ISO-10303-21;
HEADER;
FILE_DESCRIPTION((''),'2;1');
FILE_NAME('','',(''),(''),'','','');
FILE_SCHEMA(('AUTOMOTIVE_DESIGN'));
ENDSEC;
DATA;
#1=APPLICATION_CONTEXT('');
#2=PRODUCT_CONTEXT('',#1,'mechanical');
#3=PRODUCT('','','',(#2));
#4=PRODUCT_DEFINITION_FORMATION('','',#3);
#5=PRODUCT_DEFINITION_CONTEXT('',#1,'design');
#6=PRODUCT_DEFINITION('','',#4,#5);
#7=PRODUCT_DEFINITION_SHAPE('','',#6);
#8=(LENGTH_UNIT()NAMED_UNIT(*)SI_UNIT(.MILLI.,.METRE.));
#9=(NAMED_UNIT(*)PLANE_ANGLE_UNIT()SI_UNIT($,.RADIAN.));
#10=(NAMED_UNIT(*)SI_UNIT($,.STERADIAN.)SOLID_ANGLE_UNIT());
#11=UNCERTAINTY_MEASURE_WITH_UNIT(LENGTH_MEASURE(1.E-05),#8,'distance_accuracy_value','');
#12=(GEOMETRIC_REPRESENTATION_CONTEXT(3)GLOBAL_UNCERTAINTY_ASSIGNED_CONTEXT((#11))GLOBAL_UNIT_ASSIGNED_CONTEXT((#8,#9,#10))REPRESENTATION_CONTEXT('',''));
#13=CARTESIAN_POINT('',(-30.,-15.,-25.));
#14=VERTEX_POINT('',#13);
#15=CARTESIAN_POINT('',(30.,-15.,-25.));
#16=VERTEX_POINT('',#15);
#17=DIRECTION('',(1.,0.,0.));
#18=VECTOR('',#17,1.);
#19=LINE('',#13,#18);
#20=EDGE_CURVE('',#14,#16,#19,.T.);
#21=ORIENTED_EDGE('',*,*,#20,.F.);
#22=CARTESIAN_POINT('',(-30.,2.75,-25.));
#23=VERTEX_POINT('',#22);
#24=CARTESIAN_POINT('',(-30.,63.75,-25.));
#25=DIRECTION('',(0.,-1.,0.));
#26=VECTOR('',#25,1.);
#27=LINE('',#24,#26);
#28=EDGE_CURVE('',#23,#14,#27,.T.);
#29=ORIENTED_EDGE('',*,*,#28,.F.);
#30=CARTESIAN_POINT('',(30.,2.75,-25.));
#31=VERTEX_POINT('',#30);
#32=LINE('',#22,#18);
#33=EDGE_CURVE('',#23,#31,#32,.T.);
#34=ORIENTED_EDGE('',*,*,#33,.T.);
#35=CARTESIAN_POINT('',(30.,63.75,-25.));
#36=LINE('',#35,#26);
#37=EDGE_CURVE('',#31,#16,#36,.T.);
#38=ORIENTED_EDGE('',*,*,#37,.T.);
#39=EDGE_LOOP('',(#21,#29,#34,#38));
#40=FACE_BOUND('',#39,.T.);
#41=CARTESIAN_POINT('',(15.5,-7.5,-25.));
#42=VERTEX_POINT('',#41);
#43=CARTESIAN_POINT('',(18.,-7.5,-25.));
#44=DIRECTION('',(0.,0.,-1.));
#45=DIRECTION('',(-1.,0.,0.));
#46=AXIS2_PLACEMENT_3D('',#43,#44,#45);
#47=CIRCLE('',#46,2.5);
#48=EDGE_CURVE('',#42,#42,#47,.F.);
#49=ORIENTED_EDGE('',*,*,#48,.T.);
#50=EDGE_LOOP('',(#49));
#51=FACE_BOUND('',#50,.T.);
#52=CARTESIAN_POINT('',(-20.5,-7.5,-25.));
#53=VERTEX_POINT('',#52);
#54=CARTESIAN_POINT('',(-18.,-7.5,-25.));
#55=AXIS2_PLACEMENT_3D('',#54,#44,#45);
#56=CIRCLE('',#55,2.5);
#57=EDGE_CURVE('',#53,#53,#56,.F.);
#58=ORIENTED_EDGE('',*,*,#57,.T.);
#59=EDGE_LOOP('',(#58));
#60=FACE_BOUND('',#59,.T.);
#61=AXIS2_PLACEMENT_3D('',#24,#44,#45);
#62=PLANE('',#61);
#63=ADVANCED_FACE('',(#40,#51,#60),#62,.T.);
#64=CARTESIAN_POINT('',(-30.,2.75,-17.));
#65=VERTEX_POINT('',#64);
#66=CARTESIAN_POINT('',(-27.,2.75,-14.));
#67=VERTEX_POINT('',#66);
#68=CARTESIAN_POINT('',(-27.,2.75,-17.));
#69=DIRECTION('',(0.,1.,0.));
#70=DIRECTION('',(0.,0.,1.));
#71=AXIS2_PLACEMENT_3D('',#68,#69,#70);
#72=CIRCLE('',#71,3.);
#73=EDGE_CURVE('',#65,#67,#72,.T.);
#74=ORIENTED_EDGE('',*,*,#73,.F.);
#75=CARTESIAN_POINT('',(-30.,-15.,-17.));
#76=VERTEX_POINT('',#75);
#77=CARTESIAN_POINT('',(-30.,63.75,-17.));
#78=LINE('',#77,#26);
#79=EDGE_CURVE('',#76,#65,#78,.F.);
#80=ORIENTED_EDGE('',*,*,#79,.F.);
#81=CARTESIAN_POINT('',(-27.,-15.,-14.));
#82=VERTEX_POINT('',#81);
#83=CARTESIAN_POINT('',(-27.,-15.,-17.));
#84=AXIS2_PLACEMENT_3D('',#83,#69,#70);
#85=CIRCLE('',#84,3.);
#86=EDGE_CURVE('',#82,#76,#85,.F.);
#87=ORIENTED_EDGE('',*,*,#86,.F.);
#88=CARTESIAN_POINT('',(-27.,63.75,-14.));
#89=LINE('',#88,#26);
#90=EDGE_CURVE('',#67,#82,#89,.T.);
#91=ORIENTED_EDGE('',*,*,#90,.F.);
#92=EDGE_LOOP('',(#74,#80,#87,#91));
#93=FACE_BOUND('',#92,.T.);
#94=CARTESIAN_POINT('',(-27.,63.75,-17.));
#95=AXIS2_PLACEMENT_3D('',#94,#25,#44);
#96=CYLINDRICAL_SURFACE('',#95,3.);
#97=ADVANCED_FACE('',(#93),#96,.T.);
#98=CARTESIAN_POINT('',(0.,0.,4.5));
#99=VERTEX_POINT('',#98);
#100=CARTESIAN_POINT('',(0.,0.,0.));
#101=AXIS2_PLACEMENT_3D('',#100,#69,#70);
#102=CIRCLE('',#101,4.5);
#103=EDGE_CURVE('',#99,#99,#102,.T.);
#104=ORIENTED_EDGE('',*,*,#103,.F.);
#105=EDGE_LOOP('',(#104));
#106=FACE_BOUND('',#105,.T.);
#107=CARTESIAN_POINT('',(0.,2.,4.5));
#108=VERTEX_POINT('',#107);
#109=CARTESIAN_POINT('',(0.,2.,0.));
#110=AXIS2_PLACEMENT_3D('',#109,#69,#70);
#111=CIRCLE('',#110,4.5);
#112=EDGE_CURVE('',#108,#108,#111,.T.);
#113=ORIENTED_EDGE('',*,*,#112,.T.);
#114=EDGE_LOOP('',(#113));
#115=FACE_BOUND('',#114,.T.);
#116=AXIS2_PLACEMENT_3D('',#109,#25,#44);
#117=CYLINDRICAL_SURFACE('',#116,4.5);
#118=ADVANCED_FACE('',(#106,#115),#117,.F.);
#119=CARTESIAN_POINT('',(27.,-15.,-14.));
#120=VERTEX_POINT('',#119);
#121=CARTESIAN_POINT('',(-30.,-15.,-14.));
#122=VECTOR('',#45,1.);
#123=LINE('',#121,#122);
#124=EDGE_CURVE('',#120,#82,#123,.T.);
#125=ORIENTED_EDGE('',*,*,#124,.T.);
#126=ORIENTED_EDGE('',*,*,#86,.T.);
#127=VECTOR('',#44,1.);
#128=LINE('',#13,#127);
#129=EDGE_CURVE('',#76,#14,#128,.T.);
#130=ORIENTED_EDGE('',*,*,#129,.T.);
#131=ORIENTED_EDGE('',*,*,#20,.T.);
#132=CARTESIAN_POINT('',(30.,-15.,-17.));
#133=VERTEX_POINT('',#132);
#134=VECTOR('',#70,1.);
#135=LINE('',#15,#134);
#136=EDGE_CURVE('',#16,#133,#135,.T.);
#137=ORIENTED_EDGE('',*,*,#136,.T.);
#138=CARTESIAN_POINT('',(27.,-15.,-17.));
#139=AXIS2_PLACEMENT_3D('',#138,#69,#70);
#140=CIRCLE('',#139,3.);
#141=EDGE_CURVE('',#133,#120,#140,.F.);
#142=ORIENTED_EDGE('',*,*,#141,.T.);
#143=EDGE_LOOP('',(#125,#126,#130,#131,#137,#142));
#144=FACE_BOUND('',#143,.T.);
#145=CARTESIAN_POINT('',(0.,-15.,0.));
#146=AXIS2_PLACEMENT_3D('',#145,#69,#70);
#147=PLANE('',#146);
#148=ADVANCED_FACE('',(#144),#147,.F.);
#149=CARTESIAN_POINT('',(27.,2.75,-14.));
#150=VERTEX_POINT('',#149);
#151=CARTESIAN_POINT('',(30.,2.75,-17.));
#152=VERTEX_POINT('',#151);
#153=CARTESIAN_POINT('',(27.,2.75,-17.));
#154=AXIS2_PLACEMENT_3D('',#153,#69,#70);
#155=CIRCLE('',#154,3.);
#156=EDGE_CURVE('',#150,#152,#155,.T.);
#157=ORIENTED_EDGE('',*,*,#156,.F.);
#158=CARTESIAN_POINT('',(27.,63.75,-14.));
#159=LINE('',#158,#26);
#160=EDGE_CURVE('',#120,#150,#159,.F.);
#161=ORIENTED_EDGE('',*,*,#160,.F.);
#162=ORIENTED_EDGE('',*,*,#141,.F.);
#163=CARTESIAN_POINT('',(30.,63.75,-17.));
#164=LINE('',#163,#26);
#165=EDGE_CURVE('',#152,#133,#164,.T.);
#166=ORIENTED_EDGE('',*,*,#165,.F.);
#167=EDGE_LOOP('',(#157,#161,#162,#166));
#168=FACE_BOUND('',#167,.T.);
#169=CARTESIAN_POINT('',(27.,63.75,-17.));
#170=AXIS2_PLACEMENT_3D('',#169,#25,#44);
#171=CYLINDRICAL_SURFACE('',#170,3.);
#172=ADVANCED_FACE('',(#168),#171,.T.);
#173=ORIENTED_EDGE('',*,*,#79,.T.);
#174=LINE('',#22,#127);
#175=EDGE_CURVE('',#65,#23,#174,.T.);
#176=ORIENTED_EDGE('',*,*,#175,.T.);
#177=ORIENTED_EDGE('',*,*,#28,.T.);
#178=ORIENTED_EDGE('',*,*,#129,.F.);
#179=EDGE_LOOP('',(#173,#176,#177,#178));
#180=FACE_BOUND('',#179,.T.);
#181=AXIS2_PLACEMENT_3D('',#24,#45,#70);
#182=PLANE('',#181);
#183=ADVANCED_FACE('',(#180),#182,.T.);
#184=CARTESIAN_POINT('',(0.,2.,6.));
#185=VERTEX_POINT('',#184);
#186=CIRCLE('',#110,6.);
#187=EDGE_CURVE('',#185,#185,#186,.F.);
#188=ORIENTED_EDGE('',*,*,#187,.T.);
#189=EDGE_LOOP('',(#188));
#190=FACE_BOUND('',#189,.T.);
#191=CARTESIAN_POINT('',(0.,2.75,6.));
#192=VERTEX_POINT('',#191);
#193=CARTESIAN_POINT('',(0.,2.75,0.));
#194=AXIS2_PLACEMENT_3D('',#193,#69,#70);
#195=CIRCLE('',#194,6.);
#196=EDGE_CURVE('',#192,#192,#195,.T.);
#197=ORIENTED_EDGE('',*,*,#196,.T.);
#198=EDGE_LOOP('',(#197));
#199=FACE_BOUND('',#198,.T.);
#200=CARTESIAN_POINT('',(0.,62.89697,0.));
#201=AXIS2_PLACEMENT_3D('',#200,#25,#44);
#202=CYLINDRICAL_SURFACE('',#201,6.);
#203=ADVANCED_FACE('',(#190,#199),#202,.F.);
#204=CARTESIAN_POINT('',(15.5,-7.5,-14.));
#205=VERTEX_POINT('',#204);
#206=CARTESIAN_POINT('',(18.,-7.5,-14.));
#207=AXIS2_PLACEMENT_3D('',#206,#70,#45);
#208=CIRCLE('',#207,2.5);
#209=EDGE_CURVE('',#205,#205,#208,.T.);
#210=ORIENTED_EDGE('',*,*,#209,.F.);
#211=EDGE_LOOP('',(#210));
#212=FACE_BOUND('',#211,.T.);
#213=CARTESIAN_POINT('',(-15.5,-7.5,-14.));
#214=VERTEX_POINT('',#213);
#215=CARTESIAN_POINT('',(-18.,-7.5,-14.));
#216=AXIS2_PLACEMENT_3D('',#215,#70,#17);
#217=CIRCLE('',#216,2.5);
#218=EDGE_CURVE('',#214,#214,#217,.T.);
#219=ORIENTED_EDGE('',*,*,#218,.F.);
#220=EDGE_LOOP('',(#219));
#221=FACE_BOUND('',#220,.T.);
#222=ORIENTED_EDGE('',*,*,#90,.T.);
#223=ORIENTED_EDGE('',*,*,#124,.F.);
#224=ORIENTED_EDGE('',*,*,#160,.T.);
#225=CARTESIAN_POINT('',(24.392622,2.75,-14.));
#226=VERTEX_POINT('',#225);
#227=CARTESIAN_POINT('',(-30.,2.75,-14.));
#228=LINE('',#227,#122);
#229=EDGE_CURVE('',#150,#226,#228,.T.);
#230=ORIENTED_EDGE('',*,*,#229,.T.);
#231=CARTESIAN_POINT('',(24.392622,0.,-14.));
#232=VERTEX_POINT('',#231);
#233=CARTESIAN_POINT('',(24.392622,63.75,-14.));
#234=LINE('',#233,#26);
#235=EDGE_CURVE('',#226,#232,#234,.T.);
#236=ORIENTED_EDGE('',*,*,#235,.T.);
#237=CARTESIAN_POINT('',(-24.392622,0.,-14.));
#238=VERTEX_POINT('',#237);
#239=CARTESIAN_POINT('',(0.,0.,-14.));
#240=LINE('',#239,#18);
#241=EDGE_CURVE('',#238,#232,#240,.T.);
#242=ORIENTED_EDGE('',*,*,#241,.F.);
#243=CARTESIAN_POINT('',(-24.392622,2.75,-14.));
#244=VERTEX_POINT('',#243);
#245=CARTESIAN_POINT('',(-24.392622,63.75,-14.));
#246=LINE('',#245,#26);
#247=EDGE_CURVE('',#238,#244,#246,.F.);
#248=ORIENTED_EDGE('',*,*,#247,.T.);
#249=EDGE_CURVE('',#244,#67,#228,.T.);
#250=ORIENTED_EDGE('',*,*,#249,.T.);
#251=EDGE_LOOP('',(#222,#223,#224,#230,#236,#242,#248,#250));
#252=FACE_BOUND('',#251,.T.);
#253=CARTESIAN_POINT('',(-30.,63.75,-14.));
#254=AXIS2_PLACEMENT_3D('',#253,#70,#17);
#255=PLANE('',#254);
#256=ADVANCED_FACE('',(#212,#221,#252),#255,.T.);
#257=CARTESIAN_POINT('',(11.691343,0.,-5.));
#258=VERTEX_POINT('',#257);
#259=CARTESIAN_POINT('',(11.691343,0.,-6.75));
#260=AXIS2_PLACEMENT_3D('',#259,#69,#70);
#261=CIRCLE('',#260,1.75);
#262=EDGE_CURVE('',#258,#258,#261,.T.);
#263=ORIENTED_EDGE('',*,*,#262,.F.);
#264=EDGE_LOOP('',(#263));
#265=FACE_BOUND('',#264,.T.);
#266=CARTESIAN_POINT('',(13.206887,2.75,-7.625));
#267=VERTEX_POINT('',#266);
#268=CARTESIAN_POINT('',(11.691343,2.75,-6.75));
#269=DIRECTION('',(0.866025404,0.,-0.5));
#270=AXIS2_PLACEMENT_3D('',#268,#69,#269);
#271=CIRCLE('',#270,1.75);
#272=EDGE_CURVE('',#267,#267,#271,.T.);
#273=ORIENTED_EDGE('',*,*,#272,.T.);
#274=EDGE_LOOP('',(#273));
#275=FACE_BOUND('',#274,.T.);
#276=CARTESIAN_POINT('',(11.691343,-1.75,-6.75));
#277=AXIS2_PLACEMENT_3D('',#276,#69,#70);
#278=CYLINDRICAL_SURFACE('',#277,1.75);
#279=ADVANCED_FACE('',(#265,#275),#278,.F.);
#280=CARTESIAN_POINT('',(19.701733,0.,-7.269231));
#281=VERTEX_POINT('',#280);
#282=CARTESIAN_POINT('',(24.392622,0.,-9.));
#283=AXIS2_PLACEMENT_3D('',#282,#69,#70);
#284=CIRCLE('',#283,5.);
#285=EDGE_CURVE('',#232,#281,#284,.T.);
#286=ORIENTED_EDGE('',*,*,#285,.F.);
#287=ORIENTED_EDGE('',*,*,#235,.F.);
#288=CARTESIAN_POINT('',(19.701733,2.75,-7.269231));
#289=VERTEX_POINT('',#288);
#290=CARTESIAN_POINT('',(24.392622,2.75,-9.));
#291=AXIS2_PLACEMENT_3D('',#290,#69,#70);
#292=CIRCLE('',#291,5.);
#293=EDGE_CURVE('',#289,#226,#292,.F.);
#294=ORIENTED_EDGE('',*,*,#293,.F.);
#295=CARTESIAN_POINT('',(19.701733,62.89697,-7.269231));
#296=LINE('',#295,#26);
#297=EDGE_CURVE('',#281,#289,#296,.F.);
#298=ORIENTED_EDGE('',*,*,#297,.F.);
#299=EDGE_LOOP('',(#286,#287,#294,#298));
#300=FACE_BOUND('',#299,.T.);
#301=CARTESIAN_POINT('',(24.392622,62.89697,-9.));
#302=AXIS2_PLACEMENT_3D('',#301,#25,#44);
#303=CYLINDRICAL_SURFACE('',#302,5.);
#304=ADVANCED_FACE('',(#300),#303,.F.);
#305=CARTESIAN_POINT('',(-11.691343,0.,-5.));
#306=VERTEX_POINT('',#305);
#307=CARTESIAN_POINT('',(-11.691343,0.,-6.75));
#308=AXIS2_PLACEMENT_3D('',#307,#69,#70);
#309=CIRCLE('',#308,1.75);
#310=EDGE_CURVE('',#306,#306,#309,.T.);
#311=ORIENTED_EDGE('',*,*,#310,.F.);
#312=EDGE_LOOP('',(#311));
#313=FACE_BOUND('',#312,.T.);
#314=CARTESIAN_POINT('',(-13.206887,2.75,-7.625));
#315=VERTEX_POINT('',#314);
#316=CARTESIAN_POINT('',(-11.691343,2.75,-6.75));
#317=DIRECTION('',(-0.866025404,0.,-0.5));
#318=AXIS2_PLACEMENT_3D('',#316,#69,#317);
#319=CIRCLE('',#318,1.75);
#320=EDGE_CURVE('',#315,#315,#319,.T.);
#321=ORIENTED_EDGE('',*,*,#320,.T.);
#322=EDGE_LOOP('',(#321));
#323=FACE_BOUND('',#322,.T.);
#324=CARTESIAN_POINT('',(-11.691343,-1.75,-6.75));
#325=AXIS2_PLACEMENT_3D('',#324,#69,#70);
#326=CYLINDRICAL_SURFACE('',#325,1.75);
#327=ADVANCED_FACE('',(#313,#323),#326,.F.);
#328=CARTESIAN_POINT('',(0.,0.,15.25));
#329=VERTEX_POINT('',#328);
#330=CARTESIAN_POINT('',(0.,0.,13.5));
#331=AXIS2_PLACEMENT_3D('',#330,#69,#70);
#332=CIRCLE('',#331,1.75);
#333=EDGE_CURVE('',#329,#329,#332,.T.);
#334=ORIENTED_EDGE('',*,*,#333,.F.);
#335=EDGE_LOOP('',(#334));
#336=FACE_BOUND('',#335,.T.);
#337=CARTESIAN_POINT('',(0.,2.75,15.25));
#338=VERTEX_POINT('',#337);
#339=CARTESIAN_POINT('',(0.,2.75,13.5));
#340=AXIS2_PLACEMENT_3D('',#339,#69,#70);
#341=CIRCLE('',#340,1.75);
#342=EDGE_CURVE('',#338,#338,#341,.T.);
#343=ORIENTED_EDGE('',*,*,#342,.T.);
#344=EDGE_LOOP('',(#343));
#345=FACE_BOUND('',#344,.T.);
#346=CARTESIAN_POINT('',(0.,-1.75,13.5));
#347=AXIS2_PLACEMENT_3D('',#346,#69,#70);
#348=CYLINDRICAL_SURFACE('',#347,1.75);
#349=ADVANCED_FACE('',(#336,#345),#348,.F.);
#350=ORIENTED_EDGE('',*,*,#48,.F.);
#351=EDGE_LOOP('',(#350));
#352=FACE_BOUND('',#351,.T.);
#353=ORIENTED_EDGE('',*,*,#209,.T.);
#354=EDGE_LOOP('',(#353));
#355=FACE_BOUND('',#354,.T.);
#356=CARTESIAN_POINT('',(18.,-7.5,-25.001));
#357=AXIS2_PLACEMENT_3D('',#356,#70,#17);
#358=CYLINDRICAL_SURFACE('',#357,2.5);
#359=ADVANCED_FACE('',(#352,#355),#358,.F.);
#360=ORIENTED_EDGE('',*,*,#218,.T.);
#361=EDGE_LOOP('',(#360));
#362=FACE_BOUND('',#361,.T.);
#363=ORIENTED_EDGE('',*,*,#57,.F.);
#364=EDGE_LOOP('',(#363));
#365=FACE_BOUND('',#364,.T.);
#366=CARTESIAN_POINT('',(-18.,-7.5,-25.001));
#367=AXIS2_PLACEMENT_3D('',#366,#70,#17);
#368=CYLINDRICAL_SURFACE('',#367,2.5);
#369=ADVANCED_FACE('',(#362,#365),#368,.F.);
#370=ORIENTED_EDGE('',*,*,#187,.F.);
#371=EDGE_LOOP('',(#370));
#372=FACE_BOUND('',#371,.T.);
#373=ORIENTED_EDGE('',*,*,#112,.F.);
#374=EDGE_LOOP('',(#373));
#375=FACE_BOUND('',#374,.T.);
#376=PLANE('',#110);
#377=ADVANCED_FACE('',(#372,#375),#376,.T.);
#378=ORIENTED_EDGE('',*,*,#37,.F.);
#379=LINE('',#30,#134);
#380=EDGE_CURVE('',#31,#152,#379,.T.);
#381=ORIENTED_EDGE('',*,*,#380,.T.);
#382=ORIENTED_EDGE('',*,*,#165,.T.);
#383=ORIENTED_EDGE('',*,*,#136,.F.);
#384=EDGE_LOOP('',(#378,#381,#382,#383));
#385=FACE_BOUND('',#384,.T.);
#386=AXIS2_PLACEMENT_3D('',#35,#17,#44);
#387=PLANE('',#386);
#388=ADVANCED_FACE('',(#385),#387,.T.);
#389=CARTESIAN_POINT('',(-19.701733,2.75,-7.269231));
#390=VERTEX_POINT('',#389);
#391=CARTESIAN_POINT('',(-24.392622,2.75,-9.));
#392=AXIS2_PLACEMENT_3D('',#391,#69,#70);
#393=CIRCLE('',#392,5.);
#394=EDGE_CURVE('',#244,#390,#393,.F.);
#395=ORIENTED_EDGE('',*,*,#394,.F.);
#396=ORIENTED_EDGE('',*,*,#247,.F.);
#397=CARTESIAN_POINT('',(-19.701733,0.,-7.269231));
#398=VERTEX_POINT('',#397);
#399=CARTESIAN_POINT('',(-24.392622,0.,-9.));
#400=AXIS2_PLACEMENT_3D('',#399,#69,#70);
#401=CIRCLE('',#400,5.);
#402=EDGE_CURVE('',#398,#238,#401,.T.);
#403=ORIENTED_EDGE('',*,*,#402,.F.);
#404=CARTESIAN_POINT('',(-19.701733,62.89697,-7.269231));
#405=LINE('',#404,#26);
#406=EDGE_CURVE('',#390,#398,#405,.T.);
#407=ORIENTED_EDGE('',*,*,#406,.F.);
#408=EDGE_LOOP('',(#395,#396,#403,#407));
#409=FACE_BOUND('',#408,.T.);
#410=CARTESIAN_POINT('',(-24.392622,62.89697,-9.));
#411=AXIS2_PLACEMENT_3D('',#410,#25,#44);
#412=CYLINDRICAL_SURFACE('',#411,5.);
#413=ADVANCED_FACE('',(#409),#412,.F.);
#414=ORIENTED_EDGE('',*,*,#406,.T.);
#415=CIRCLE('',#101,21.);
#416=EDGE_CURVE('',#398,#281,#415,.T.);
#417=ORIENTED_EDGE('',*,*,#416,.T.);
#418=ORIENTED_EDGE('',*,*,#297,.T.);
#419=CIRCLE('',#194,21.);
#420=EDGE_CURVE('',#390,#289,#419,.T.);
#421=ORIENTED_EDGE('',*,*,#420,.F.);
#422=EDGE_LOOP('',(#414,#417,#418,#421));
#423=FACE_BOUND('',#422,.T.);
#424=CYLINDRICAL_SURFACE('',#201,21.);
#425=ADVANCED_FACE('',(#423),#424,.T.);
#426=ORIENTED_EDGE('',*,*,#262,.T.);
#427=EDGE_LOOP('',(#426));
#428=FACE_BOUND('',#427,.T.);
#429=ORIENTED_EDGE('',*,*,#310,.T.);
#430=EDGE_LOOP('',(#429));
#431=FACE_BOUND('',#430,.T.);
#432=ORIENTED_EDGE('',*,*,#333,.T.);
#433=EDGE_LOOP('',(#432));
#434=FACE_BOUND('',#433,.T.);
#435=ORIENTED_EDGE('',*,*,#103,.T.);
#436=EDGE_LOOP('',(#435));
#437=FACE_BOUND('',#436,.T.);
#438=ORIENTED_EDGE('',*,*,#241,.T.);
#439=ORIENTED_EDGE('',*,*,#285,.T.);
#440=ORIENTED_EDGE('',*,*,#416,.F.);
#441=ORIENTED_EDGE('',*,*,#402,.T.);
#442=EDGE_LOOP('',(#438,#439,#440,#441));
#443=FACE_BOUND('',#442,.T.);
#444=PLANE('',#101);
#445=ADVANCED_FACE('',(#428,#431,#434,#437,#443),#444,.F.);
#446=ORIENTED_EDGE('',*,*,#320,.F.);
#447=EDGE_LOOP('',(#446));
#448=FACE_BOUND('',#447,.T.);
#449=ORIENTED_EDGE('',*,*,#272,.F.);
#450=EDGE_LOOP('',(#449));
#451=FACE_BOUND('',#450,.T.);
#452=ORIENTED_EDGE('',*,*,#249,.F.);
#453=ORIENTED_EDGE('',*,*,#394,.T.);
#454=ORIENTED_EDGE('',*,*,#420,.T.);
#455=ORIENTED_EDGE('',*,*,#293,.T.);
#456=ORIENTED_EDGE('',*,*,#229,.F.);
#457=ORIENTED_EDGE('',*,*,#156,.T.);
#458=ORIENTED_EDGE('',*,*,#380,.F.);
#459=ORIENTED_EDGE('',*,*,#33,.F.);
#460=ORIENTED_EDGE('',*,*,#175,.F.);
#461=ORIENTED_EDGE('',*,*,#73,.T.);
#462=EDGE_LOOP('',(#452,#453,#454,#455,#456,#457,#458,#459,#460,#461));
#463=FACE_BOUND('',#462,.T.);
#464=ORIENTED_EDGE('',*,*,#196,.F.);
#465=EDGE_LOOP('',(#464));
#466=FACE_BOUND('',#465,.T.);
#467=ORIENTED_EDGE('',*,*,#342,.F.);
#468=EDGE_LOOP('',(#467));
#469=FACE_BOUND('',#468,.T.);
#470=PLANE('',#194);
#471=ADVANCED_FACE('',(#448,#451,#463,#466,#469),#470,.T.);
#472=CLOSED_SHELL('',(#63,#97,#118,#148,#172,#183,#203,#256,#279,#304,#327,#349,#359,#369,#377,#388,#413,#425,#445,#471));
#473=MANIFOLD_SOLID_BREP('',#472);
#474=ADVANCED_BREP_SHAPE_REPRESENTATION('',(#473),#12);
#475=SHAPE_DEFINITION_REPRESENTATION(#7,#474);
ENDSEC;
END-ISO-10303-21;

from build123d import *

# Parameters (mm, degrees)
SKETCH1_R                = 6
SKETCH1_R_2              = 4.5
BOSS_EXTRUDE1_DEPTH      = 2
SKETCH1_5_R              = 21
SKETCH1_5_R_2            = 6
BOSS_EXTRUDE3_DEPTH      = 2.75
SKETCH2_R                = 1.75
CUT_EXTRUDE1_DEPTH       = 4.5
CIRPATTERN1_COUNT        = 3
SKETCH9_W                = 60
SKETCH9_H                = 11
BOSS_EXTRUDE7_DEPTH      = 15
BOSS_EXTRUDE7_DEPTH_BACK = 2.75
CUT_EXTRUDE3_REACH       = 13
SKETCH10_R               = 2.5
FILLET4_R                = 3
FILLET5_R                = 5


with BuildPart() as part:
    # Sketch1 → Boss-Extrude1 (new body)
    with BuildSketch(Plane(origin=(0, 0, 0), x_dir=(1, 0, 0), z_dir=(0, 1, 0))):
        Circle(SKETCH1_R)
        Circle(SKETCH1_R_2, mode=Mode.SUBTRACT)
    extrude(amount=BOSS_EXTRUDE1_DEPTH)

    # Sketch1<5> → Boss-Extrude3 (add)
    with BuildSketch(Plane(origin=(0, 0, 0), x_dir=(1, 0, 0), z_dir=(0, 1, 0))):
        Circle(SKETCH1_5_R)
        Circle(SKETCH1_5_R_2, mode=Mode.SUBTRACT)
    extrude(amount=BOSS_EXTRUDE3_DEPTH)

    # Sketch2 → Cut-Extrude1 (cut)
    with BuildSketch(Plane(origin=(0, 2.75, 0), x_dir=(1, 0, 0), z_dir=(0, 1, 0))):
        with Locations((0, -13.5)):
            Circle(SKETCH2_R)
    cut_extrude1 = extrude(amount=-CUT_EXTRUDE1_DEPTH, mode=Mode.SUBTRACT)

    # CirPattern1: Cut-Extrude1 ×3 about axis
    cirpattern1_axis = Axis((0, 0, 0), (0, 1, 0))
    for i in range(1, CIRPATTERN1_COUNT):
        add(cut_extrude1.rotate(cirpattern1_axis, i * 360 / CIRPATTERN1_COUNT), mode=Mode.SUBTRACT)

    # Sketch9 → Boss-Extrude7 (add, two sides)
    with BuildSketch(Plane.XZ) as boss_extrude7_sk:
        with Locations((0, -19.5)):
            Rectangle(SKETCH9_W, SKETCH9_H)
    extrude(amount=BOSS_EXTRUDE7_DEPTH)
    extrude(boss_extrude7_sk.sketch, amount=-BOSS_EXTRUDE7_DEPTH_BACK)

    # Sketch10 → Cut-Extrude3 (cut, up to next)
    with BuildSketch(Plane.XY.offset(-14), mode=Mode.PRIVATE) as cut_extrude3_sk1:
        with Locations((-18, -7.5)):
            Circle(SKETCH10_R)
    cut_extrude3_tool1 = extrude(cut_extrude3_sk1.sketch, amount=-CUT_EXTRUDE3_REACH, mode=Mode.PRIVATE) & part.part
    add(cut_extrude3_tool1.solids().sort_by_distance((-18, -7.5, -14))[0], mode=Mode.SUBTRACT)
    # Sketch10 → Cut-Extrude3 (cut, up to next)
    with BuildSketch(Plane.XY.offset(-14), mode=Mode.PRIVATE) as cut_extrude3_sk2:
        with Locations((18, -7.5)):
            Circle(SKETCH10_R)
    cut_extrude3_tool2 = extrude(cut_extrude3_sk2.sketch, amount=-CUT_EXTRUDE3_REACH, mode=Mode.PRIVATE) & part.part
    add(cut_extrude3_tool2.solids().sort_by_distance((18, -7.5, -14))[0], mode=Mode.SUBTRACT)

    # Fillet4
    fillet4_edges = [part.edges().sort_by_distance(p)[0] for p in [
        (-30, -6.125, -14),
        (30, -6.125, -14),
    ]]
    fillet(fillet4_edges, radius=FILLET4_R)

    # Fillet5
    fillet5_edges = [part.edges().sort_by_distance(p)[0] for p in [
        (-15.652475842, 1.375, -14),
        (15.652475842, 1.375, -14),
    ]]
    fillet(fillet5_edges, radius=FILLET5_R)


solid = part.part
